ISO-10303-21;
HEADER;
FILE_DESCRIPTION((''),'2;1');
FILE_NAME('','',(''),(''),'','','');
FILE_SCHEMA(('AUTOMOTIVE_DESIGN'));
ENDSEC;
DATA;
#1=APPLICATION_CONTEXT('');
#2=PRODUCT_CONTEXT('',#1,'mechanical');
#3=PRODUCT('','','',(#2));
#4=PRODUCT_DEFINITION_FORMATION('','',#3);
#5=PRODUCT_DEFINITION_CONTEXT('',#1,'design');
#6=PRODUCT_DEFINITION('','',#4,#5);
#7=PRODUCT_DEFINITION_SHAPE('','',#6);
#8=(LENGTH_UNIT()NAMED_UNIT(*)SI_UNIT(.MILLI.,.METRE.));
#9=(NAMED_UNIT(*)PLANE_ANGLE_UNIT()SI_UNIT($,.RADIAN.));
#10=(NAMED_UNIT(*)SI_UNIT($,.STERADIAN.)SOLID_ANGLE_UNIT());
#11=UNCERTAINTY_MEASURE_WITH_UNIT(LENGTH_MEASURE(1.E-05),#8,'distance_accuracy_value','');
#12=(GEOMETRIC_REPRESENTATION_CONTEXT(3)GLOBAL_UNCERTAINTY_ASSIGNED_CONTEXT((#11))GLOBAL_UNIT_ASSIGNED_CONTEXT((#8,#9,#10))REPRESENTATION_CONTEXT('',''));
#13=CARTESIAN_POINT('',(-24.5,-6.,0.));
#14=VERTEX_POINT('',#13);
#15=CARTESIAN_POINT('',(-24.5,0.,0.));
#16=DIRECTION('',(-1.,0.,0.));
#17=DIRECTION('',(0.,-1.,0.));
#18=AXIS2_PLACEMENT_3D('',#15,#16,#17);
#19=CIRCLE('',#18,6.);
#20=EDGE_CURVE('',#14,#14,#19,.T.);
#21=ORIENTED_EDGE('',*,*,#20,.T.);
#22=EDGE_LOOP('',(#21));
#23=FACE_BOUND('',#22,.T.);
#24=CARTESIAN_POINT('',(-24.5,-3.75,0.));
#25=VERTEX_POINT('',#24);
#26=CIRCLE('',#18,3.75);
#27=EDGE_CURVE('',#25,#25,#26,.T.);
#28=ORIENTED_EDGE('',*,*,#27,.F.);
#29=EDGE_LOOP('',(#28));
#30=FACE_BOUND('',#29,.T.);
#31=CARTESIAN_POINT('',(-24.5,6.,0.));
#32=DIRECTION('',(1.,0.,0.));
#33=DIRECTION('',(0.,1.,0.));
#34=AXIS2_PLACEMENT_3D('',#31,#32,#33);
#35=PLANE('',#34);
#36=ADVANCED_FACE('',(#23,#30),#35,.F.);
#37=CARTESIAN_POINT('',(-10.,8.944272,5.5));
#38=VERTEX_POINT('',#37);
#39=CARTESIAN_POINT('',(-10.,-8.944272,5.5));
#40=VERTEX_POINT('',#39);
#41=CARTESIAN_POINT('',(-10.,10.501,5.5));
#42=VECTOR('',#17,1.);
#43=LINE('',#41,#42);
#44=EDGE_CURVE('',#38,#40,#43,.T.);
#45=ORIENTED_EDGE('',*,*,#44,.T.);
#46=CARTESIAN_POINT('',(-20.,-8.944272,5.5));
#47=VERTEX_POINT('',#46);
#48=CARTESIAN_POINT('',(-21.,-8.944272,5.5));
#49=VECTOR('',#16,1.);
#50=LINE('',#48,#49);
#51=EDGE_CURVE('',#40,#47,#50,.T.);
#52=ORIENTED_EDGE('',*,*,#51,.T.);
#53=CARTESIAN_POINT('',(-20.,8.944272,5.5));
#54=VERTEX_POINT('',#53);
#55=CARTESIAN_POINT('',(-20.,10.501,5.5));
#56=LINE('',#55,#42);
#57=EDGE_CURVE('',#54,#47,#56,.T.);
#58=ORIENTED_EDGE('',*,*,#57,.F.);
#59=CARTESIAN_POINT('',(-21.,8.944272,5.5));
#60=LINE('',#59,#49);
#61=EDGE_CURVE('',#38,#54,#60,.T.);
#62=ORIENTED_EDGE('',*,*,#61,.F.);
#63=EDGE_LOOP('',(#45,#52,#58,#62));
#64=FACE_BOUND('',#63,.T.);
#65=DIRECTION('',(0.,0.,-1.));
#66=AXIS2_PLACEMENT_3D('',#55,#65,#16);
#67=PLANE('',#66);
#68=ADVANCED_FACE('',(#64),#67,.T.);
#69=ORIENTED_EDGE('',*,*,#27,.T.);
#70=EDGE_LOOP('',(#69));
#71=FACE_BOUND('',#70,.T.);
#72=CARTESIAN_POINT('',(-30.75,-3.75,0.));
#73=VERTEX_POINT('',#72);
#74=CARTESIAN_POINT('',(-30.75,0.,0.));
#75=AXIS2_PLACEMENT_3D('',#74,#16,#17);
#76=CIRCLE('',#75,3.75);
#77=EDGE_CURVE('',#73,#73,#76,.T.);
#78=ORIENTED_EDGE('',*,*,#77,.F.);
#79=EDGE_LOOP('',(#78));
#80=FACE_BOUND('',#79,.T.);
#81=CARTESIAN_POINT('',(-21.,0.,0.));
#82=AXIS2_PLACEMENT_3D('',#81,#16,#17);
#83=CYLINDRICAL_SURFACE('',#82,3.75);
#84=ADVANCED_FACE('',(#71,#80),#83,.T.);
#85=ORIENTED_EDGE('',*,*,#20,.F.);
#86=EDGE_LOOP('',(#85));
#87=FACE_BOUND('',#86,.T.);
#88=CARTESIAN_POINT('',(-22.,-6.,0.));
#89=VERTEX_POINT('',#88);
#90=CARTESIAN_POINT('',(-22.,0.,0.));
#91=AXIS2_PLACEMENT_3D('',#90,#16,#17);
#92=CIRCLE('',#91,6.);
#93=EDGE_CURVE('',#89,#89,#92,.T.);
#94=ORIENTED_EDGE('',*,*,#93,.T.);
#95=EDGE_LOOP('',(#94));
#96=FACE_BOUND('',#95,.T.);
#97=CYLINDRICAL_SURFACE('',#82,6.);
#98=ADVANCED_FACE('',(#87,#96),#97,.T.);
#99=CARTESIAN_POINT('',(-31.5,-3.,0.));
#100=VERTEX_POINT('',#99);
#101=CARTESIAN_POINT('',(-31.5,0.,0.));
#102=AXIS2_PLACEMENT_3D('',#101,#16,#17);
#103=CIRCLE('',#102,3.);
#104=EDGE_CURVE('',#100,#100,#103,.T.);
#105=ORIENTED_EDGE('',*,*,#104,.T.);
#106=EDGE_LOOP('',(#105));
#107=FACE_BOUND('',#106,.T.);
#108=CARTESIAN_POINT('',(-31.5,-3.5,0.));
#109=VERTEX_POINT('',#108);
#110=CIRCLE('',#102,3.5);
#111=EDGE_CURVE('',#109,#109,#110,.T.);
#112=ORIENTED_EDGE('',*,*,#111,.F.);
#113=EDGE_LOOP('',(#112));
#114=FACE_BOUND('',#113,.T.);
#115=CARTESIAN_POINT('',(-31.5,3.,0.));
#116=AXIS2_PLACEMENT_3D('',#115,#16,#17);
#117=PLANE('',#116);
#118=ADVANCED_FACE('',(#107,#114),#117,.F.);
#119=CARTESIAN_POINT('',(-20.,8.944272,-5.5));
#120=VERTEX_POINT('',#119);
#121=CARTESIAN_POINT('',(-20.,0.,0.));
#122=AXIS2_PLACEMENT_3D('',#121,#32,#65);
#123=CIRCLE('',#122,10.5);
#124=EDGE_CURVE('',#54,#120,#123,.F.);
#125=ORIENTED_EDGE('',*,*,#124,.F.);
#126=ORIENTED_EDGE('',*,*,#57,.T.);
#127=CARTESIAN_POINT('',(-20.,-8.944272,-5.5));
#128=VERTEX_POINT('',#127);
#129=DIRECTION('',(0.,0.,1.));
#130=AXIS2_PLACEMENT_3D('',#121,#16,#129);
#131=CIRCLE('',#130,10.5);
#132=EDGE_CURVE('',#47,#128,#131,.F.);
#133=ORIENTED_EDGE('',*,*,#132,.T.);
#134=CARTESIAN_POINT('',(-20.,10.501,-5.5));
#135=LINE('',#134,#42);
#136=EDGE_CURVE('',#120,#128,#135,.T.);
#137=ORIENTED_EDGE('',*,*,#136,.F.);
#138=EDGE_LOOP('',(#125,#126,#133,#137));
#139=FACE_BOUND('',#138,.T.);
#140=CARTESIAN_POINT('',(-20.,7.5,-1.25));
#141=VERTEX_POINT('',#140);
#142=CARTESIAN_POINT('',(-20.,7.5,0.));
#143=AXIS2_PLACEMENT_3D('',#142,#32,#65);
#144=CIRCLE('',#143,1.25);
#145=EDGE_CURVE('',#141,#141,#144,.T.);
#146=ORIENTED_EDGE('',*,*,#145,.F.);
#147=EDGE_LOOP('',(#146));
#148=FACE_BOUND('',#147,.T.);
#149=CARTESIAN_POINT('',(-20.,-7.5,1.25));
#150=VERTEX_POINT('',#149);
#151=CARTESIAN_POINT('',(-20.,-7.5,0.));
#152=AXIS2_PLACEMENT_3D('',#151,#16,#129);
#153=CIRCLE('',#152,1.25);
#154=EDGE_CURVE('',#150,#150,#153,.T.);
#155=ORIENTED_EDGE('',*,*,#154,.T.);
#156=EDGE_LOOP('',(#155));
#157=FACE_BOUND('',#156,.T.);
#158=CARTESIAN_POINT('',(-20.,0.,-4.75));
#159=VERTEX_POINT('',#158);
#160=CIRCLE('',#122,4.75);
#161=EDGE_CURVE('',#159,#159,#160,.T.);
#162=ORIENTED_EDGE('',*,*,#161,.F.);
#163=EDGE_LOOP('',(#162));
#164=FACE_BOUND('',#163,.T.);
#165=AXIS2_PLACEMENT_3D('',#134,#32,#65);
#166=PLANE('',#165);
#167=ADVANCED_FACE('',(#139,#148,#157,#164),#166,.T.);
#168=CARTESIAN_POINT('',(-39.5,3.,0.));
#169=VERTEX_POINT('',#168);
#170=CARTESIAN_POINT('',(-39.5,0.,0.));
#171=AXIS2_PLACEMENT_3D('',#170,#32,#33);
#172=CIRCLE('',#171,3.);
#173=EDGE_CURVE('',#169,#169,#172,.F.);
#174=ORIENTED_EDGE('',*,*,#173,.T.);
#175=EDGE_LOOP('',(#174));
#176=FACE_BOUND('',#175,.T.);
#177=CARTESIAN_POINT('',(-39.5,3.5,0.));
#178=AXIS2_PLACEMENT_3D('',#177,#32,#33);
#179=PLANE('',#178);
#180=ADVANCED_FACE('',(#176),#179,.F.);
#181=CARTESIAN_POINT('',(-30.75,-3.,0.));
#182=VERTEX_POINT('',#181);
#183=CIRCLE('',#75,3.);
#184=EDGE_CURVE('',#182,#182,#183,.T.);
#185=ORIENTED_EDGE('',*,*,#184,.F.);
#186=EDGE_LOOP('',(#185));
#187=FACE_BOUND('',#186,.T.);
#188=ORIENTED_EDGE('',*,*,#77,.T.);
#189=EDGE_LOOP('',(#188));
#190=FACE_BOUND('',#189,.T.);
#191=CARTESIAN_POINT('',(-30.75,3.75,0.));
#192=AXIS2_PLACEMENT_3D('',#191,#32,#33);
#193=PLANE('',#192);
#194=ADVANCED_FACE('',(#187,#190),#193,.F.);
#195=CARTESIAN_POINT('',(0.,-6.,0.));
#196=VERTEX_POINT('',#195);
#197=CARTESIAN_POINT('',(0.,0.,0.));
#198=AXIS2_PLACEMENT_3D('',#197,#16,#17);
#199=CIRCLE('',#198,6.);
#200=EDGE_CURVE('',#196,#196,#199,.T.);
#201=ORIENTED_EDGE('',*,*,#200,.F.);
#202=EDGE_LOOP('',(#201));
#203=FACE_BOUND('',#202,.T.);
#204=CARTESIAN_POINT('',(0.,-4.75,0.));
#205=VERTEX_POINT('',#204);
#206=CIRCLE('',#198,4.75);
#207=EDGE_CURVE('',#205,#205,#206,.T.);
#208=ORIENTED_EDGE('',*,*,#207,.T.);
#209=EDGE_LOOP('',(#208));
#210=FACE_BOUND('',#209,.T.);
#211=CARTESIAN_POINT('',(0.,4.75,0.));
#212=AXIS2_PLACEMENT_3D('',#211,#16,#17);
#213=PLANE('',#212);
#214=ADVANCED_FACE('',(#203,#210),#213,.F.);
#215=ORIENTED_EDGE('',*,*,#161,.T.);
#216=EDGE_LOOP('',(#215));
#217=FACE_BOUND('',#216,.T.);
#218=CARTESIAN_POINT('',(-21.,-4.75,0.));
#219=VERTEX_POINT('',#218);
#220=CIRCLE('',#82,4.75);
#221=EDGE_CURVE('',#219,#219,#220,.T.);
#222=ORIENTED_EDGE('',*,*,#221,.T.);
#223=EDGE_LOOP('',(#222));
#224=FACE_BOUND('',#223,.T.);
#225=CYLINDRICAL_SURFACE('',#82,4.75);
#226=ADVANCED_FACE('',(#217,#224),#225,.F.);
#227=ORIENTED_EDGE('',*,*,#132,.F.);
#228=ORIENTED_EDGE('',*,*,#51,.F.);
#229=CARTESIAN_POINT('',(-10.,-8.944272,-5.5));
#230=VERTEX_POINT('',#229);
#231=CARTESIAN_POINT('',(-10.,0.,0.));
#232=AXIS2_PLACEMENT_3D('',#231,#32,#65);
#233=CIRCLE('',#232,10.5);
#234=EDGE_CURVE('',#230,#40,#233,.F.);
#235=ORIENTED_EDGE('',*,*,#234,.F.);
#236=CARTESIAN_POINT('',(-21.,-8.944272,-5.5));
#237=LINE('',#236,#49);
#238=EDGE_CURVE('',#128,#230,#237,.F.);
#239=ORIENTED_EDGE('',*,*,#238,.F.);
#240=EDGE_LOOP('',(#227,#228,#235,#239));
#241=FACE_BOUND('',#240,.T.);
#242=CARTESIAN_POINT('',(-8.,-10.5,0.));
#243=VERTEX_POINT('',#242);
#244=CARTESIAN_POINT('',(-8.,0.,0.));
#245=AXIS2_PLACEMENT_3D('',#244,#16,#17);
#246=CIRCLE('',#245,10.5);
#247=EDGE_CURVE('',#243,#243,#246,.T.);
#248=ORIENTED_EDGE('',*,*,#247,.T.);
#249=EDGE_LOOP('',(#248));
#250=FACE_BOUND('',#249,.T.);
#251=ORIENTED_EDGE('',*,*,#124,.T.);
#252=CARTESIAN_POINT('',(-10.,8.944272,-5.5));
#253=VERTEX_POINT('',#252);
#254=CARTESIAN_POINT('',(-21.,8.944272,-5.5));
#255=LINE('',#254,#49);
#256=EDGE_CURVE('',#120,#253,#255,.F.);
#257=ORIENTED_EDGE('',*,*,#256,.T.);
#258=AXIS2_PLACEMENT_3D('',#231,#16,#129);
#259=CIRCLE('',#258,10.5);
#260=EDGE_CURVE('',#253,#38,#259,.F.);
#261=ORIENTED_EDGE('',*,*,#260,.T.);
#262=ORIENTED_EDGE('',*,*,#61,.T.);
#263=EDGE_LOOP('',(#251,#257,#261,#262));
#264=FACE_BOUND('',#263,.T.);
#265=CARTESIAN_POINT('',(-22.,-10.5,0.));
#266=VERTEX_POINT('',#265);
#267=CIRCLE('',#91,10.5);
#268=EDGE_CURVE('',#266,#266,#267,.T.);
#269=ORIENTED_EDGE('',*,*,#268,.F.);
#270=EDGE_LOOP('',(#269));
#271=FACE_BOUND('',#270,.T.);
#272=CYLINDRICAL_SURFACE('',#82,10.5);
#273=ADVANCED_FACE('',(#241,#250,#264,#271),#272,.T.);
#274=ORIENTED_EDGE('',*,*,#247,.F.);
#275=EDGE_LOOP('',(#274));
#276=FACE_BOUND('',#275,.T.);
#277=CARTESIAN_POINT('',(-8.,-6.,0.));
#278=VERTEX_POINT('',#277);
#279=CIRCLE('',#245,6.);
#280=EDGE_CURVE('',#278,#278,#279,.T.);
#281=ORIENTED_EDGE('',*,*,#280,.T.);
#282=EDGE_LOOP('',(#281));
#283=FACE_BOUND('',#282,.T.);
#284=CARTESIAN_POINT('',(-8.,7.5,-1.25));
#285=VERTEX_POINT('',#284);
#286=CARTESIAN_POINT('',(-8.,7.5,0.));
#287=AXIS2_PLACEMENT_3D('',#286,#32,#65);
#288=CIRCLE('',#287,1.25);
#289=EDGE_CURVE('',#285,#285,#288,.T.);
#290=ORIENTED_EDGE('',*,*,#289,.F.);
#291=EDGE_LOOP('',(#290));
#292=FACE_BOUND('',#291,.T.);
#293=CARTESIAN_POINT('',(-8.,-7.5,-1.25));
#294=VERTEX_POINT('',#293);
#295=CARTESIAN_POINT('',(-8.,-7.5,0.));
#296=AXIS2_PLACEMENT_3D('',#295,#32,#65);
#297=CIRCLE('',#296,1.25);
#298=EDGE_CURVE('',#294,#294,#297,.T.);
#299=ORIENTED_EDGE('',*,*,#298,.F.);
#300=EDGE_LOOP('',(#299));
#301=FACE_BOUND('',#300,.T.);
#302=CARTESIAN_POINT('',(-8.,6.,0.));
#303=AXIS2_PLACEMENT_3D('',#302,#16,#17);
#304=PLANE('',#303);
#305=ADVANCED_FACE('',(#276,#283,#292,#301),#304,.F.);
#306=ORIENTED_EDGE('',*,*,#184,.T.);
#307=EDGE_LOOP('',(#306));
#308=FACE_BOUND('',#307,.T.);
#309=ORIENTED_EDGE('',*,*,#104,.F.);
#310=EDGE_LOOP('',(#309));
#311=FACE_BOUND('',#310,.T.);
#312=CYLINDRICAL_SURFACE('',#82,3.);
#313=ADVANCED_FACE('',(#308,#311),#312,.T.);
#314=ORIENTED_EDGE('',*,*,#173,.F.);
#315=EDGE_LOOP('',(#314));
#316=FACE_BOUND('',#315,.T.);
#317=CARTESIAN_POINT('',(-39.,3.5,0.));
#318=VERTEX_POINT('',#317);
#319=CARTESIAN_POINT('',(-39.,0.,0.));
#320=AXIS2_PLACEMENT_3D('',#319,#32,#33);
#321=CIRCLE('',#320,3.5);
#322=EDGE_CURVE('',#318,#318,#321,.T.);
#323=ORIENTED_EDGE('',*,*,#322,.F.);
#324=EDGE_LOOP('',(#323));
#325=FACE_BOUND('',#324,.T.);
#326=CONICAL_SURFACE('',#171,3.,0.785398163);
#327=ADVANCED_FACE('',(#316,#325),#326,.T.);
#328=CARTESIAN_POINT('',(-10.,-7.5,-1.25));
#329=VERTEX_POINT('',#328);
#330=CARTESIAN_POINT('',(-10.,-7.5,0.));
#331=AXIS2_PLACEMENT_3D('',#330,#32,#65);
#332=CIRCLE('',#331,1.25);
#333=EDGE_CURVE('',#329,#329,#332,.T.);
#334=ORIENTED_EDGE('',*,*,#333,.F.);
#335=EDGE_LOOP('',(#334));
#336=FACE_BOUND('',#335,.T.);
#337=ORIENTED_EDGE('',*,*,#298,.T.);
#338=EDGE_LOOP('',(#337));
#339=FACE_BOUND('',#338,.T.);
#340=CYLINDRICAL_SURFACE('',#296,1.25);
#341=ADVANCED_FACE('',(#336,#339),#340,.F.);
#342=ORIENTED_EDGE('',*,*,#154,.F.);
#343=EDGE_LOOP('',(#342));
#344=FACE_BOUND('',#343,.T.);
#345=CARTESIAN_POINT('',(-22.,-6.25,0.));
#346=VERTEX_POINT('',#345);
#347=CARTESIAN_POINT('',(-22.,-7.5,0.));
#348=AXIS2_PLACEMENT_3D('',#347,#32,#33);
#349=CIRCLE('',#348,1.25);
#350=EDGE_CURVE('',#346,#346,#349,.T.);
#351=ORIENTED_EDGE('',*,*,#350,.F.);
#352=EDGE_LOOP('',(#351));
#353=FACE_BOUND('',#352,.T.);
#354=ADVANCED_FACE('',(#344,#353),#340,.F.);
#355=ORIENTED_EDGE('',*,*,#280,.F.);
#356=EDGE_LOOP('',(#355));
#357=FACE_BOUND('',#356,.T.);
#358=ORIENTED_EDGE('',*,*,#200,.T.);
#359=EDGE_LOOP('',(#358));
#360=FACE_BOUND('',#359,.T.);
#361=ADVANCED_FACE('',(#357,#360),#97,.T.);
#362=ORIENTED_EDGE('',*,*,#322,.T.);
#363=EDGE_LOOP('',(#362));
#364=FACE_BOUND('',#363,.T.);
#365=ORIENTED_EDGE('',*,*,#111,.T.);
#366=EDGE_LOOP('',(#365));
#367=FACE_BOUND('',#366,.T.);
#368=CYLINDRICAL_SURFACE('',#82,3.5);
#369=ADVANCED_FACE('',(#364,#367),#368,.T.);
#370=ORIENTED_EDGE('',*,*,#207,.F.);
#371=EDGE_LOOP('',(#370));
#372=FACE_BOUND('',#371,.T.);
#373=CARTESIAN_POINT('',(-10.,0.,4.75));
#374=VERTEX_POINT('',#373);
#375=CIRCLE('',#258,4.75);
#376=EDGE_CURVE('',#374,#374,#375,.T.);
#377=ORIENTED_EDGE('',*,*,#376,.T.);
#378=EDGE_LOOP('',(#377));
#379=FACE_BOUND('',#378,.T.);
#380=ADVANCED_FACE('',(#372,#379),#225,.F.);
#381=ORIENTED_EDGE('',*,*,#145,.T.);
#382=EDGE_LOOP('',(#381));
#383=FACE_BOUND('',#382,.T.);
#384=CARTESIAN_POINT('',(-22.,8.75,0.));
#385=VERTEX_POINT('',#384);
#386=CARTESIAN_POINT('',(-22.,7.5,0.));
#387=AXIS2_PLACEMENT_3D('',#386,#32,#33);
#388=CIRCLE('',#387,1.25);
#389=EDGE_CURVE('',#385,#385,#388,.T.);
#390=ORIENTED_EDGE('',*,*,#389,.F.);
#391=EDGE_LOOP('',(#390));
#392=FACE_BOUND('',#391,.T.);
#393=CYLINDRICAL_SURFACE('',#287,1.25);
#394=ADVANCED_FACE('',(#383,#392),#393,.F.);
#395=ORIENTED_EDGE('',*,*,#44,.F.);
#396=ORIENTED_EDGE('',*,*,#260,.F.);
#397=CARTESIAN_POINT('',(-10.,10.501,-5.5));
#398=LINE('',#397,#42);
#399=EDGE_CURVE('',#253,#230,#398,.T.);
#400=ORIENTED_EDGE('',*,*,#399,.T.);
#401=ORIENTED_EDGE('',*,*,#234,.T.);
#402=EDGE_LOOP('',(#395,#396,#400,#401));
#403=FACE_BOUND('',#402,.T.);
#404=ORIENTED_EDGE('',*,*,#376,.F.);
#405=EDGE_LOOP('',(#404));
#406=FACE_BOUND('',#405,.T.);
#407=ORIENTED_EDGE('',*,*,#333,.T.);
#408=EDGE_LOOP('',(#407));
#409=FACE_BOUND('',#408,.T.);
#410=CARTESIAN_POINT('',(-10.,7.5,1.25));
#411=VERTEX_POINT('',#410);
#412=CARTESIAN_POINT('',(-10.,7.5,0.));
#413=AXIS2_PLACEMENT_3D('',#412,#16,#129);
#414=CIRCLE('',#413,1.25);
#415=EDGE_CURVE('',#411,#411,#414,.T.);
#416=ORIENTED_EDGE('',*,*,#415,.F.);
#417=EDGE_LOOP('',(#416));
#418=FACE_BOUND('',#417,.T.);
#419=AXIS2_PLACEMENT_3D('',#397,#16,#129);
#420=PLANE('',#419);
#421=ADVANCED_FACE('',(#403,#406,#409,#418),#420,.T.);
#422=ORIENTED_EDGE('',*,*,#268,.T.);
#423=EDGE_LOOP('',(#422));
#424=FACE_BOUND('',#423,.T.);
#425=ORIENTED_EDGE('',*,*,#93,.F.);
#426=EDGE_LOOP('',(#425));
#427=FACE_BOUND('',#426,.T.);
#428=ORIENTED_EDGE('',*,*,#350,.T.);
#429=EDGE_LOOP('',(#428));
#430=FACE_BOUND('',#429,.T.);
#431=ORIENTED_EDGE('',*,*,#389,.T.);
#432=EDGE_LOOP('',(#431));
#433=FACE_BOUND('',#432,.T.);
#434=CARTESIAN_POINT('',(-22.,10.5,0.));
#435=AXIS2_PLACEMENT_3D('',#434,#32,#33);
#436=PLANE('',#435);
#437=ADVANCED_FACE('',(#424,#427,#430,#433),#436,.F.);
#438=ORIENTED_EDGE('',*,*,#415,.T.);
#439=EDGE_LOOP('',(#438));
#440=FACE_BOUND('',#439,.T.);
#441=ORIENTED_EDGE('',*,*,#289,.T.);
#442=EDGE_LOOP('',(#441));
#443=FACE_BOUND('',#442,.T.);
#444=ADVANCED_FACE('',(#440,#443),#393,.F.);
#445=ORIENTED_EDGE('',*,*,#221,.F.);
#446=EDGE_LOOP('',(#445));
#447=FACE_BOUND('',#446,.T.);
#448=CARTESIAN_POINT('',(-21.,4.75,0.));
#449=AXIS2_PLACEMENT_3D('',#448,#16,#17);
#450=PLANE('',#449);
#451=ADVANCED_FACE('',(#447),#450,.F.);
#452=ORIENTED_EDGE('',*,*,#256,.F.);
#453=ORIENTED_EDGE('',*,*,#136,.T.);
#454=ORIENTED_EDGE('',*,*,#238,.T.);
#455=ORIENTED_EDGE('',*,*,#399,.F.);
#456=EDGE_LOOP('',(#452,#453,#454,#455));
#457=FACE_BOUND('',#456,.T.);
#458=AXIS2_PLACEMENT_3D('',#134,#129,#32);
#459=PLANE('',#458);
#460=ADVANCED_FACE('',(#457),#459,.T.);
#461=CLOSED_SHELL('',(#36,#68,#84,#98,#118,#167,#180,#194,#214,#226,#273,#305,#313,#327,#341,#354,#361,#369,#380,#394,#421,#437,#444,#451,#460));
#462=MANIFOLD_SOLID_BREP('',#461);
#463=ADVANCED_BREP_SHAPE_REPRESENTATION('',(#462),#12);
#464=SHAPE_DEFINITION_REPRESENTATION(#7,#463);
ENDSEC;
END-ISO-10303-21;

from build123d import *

# Parameters (mm, degrees)
F_2_5_2_5_DIAMETER_HOLE1_D     = 2.5
CUT_EXTRUDE1_REACH             = 44.199
SKETCH3_W                      = 10
SKETCH3_H                      = 11
CUT_EXTRUDE1_DIRECTION_2_REACH = 44.199
CHAMFER1_SIZE                  = 0.5


with BuildPart() as part:
    # Sketch2 → Revolve1 (revolve)
    with BuildSketch(Plane.XY, mode=Mode.PRIVATE) as revolve1_sk:
        Polygon((0, 4.75), (0, 6), (-8, 6), (-8, 10.5), (-22, 10.5), (-22, 6), (-24.5, 6), (-24.5, 3.75), (-30.75, 3.75), (-30.75, 3), (-31.5, 3), (-31.5, 3.5), (-39.5, 3.5), (-39.5, 0), (-21, 0), (-21, 4.75), align=None)
    revolve(revolve1_sk.sketch.rotate(Axis((-21, 0, 0), (1, 0, 0)), 180), axis=Axis((-21, 0, 0), (1, 0, 0)))

    # Ø2.5 (2.5) Diameter Hole1 (through all)
    with Locations(Plane(origin=(-8, 0, 0), x_dir=(0, 0, -1), z_dir=(1, 0, 0))):
        with Locations((0, 7.5), (0, -7.5)):
            Hole(F_2_5_2_5_DIAMETER_HOLE1_D / 2)

    # Sketch3 → Cut-Extrude1 (cut, up to next)
    with BuildSketch(Plane(origin=(0, 0, 0), x_dir=(1, 0, 0), z_dir=(0, 1, 0)), mode=Mode.PRIVATE) as cut_extrude1_sk1:
        with Locations((-15, 0)):
            Rectangle(SKETCH3_W, SKETCH3_H)
    cut_extrude1_tool1 = extrude(cut_extrude1_sk1.sketch, amount=-CUT_EXTRUDE1_REACH, mode=Mode.PRIVATE) & part.part
    add(cut_extrude1_tool1.solids().sort_by_distance((-15, 0, 0))[0], mode=Mode.SUBTRACT)

    # Sketch3 → Cut-Extrude1 direction 2 (cut, up to next)
    with BuildSketch(Plane(origin=(0, 0, 0), x_dir=(1, 0, 0), z_dir=(0, 1, 0)), mode=Mode.PRIVATE) as cut_extrude1_direction_2_sk1:
        with Locations((-15, 0)):
            Rectangle(SKETCH3_W, SKETCH3_H)
    cut_extrude1_direction_2_tool1 = extrude(cut_extrude1_direction_2_sk1.sketch, amount=CUT_EXTRUDE1_DIRECTION_2_REACH, mode=Mode.PRIVATE) & part.part
    add(cut_extrude1_direction_2_tool1.solids().sort_by_distance((-15, 0, 0))[0], mode=Mode.SUBTRACT)

    # Chamfer1
    chamfer1_edges = [part.edges().sort_by_distance(p)[0] for p in [
        (-39.5, 3.5, 0),
    ]]
    chamfer(chamfer1_edges, length=CHAMFER1_SIZE)


solid = part.part
